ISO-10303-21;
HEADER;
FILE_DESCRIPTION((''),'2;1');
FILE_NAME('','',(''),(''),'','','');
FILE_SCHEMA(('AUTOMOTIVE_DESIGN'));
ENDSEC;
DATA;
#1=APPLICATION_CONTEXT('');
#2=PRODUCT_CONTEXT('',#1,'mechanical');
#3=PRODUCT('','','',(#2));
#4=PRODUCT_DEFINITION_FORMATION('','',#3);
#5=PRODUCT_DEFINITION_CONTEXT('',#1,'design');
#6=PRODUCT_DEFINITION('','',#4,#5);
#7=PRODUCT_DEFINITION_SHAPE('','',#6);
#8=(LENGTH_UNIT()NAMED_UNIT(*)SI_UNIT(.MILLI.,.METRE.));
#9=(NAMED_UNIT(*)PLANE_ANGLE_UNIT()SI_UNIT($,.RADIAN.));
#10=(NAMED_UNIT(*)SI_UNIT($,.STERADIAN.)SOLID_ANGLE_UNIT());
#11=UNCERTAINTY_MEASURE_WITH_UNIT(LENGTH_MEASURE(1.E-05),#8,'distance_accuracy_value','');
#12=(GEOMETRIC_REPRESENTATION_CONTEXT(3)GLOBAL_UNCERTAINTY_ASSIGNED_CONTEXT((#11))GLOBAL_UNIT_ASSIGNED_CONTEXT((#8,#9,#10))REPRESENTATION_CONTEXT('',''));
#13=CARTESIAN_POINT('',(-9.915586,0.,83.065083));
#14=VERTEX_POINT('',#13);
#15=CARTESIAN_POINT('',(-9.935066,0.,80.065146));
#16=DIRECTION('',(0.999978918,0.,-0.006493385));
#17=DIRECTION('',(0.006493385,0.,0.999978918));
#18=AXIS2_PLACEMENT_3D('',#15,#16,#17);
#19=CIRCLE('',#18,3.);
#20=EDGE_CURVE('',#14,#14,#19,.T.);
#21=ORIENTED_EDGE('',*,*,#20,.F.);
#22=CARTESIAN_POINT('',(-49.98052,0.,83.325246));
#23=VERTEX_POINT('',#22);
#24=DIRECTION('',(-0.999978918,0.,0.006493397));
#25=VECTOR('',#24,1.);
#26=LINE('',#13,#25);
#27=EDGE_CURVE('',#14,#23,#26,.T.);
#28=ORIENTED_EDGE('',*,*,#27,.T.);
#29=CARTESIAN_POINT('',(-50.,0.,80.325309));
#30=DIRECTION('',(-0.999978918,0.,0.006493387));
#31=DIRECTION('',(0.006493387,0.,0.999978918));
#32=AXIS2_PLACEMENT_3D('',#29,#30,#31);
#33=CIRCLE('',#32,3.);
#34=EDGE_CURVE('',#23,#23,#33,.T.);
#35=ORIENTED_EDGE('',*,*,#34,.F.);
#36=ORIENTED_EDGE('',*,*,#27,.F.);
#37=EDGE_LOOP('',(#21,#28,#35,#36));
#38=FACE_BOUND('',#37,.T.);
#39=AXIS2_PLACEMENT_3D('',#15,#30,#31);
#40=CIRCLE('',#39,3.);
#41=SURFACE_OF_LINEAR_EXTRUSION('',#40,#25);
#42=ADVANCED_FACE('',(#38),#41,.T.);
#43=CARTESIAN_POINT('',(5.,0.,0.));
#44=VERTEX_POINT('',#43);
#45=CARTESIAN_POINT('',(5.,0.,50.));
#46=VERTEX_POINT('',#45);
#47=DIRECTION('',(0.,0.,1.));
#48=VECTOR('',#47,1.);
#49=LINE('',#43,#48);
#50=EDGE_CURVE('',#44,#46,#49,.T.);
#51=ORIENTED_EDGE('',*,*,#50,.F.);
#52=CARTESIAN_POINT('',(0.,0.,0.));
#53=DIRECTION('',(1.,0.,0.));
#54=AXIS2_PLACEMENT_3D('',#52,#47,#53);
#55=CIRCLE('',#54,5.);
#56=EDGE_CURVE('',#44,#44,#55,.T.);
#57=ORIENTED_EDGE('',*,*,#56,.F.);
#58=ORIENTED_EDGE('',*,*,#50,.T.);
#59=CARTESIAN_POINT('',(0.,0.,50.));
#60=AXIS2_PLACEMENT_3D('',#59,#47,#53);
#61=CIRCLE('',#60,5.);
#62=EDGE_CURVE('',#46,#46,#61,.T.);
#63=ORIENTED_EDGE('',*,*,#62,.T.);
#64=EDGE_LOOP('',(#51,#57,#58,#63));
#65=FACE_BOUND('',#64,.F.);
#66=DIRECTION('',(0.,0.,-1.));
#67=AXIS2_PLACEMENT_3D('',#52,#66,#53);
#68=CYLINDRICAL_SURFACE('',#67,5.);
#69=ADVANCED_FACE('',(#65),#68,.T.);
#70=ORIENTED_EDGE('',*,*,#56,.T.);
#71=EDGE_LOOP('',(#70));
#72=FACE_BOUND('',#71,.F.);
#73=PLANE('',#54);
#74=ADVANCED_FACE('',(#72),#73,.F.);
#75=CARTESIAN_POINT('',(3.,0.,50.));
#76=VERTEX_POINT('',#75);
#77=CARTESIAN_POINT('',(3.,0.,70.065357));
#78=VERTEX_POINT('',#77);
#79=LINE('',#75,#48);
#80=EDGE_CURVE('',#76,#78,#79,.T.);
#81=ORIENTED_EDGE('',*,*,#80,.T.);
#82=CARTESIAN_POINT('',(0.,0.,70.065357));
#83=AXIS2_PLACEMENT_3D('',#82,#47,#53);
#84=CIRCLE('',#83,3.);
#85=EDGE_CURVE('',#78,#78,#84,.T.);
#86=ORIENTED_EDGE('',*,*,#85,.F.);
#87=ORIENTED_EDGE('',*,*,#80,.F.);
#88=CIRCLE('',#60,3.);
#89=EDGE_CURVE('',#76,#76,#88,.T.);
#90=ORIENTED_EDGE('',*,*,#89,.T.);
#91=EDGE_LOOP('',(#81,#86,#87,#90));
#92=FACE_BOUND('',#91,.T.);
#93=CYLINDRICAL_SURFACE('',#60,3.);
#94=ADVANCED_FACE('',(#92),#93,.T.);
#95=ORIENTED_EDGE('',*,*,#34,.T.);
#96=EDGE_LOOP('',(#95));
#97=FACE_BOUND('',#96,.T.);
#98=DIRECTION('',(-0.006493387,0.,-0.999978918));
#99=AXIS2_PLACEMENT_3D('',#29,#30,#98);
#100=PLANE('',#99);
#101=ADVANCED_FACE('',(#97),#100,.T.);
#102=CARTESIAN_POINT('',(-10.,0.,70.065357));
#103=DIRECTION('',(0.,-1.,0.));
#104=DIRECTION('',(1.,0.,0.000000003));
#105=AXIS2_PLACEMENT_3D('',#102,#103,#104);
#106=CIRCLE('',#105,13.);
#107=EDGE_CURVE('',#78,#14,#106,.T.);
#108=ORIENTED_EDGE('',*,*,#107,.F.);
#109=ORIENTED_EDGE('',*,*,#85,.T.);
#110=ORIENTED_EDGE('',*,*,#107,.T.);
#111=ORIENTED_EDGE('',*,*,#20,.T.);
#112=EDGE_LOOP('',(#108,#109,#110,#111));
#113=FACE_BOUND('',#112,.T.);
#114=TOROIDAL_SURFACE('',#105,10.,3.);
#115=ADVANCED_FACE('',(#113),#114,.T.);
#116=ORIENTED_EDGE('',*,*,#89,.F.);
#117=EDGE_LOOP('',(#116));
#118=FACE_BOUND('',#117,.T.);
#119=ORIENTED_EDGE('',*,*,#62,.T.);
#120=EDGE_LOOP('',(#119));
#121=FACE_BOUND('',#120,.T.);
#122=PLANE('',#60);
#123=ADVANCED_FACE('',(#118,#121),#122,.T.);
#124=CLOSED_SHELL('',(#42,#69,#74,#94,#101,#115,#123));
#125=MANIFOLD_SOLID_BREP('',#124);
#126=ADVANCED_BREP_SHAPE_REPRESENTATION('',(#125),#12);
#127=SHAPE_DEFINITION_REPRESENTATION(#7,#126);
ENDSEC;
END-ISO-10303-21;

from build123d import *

# Parameters (mm, degrees)
F0_R     = 5
F1_DEPTH = 50
F2_R     = 3


with BuildPart() as f1:
    # F0 (on Top) → F1 (new body)
    with BuildSketch(Plane.XY):
        Circle(F0_R)
    extrude(amount=F1_DEPTH)

    # F4: sweep along a path in F3
    with BuildLine(Plane.XZ) as f4_path:
        Line((0, 50), (0, 70.065357))
        ThreePointArc((0, 70.065357), (-2.906012, 77.11343), (-9.935066, 80.065146))
        Line((-9.935066, 80.065146), (-50, 80.325309))
    # F2 (on face) → F4 (sweep)
    with BuildSketch(Plane.XY.offset(50)):
        Circle(F2_R)
    sweep(path=f4_path.line)


solid = f1.part
